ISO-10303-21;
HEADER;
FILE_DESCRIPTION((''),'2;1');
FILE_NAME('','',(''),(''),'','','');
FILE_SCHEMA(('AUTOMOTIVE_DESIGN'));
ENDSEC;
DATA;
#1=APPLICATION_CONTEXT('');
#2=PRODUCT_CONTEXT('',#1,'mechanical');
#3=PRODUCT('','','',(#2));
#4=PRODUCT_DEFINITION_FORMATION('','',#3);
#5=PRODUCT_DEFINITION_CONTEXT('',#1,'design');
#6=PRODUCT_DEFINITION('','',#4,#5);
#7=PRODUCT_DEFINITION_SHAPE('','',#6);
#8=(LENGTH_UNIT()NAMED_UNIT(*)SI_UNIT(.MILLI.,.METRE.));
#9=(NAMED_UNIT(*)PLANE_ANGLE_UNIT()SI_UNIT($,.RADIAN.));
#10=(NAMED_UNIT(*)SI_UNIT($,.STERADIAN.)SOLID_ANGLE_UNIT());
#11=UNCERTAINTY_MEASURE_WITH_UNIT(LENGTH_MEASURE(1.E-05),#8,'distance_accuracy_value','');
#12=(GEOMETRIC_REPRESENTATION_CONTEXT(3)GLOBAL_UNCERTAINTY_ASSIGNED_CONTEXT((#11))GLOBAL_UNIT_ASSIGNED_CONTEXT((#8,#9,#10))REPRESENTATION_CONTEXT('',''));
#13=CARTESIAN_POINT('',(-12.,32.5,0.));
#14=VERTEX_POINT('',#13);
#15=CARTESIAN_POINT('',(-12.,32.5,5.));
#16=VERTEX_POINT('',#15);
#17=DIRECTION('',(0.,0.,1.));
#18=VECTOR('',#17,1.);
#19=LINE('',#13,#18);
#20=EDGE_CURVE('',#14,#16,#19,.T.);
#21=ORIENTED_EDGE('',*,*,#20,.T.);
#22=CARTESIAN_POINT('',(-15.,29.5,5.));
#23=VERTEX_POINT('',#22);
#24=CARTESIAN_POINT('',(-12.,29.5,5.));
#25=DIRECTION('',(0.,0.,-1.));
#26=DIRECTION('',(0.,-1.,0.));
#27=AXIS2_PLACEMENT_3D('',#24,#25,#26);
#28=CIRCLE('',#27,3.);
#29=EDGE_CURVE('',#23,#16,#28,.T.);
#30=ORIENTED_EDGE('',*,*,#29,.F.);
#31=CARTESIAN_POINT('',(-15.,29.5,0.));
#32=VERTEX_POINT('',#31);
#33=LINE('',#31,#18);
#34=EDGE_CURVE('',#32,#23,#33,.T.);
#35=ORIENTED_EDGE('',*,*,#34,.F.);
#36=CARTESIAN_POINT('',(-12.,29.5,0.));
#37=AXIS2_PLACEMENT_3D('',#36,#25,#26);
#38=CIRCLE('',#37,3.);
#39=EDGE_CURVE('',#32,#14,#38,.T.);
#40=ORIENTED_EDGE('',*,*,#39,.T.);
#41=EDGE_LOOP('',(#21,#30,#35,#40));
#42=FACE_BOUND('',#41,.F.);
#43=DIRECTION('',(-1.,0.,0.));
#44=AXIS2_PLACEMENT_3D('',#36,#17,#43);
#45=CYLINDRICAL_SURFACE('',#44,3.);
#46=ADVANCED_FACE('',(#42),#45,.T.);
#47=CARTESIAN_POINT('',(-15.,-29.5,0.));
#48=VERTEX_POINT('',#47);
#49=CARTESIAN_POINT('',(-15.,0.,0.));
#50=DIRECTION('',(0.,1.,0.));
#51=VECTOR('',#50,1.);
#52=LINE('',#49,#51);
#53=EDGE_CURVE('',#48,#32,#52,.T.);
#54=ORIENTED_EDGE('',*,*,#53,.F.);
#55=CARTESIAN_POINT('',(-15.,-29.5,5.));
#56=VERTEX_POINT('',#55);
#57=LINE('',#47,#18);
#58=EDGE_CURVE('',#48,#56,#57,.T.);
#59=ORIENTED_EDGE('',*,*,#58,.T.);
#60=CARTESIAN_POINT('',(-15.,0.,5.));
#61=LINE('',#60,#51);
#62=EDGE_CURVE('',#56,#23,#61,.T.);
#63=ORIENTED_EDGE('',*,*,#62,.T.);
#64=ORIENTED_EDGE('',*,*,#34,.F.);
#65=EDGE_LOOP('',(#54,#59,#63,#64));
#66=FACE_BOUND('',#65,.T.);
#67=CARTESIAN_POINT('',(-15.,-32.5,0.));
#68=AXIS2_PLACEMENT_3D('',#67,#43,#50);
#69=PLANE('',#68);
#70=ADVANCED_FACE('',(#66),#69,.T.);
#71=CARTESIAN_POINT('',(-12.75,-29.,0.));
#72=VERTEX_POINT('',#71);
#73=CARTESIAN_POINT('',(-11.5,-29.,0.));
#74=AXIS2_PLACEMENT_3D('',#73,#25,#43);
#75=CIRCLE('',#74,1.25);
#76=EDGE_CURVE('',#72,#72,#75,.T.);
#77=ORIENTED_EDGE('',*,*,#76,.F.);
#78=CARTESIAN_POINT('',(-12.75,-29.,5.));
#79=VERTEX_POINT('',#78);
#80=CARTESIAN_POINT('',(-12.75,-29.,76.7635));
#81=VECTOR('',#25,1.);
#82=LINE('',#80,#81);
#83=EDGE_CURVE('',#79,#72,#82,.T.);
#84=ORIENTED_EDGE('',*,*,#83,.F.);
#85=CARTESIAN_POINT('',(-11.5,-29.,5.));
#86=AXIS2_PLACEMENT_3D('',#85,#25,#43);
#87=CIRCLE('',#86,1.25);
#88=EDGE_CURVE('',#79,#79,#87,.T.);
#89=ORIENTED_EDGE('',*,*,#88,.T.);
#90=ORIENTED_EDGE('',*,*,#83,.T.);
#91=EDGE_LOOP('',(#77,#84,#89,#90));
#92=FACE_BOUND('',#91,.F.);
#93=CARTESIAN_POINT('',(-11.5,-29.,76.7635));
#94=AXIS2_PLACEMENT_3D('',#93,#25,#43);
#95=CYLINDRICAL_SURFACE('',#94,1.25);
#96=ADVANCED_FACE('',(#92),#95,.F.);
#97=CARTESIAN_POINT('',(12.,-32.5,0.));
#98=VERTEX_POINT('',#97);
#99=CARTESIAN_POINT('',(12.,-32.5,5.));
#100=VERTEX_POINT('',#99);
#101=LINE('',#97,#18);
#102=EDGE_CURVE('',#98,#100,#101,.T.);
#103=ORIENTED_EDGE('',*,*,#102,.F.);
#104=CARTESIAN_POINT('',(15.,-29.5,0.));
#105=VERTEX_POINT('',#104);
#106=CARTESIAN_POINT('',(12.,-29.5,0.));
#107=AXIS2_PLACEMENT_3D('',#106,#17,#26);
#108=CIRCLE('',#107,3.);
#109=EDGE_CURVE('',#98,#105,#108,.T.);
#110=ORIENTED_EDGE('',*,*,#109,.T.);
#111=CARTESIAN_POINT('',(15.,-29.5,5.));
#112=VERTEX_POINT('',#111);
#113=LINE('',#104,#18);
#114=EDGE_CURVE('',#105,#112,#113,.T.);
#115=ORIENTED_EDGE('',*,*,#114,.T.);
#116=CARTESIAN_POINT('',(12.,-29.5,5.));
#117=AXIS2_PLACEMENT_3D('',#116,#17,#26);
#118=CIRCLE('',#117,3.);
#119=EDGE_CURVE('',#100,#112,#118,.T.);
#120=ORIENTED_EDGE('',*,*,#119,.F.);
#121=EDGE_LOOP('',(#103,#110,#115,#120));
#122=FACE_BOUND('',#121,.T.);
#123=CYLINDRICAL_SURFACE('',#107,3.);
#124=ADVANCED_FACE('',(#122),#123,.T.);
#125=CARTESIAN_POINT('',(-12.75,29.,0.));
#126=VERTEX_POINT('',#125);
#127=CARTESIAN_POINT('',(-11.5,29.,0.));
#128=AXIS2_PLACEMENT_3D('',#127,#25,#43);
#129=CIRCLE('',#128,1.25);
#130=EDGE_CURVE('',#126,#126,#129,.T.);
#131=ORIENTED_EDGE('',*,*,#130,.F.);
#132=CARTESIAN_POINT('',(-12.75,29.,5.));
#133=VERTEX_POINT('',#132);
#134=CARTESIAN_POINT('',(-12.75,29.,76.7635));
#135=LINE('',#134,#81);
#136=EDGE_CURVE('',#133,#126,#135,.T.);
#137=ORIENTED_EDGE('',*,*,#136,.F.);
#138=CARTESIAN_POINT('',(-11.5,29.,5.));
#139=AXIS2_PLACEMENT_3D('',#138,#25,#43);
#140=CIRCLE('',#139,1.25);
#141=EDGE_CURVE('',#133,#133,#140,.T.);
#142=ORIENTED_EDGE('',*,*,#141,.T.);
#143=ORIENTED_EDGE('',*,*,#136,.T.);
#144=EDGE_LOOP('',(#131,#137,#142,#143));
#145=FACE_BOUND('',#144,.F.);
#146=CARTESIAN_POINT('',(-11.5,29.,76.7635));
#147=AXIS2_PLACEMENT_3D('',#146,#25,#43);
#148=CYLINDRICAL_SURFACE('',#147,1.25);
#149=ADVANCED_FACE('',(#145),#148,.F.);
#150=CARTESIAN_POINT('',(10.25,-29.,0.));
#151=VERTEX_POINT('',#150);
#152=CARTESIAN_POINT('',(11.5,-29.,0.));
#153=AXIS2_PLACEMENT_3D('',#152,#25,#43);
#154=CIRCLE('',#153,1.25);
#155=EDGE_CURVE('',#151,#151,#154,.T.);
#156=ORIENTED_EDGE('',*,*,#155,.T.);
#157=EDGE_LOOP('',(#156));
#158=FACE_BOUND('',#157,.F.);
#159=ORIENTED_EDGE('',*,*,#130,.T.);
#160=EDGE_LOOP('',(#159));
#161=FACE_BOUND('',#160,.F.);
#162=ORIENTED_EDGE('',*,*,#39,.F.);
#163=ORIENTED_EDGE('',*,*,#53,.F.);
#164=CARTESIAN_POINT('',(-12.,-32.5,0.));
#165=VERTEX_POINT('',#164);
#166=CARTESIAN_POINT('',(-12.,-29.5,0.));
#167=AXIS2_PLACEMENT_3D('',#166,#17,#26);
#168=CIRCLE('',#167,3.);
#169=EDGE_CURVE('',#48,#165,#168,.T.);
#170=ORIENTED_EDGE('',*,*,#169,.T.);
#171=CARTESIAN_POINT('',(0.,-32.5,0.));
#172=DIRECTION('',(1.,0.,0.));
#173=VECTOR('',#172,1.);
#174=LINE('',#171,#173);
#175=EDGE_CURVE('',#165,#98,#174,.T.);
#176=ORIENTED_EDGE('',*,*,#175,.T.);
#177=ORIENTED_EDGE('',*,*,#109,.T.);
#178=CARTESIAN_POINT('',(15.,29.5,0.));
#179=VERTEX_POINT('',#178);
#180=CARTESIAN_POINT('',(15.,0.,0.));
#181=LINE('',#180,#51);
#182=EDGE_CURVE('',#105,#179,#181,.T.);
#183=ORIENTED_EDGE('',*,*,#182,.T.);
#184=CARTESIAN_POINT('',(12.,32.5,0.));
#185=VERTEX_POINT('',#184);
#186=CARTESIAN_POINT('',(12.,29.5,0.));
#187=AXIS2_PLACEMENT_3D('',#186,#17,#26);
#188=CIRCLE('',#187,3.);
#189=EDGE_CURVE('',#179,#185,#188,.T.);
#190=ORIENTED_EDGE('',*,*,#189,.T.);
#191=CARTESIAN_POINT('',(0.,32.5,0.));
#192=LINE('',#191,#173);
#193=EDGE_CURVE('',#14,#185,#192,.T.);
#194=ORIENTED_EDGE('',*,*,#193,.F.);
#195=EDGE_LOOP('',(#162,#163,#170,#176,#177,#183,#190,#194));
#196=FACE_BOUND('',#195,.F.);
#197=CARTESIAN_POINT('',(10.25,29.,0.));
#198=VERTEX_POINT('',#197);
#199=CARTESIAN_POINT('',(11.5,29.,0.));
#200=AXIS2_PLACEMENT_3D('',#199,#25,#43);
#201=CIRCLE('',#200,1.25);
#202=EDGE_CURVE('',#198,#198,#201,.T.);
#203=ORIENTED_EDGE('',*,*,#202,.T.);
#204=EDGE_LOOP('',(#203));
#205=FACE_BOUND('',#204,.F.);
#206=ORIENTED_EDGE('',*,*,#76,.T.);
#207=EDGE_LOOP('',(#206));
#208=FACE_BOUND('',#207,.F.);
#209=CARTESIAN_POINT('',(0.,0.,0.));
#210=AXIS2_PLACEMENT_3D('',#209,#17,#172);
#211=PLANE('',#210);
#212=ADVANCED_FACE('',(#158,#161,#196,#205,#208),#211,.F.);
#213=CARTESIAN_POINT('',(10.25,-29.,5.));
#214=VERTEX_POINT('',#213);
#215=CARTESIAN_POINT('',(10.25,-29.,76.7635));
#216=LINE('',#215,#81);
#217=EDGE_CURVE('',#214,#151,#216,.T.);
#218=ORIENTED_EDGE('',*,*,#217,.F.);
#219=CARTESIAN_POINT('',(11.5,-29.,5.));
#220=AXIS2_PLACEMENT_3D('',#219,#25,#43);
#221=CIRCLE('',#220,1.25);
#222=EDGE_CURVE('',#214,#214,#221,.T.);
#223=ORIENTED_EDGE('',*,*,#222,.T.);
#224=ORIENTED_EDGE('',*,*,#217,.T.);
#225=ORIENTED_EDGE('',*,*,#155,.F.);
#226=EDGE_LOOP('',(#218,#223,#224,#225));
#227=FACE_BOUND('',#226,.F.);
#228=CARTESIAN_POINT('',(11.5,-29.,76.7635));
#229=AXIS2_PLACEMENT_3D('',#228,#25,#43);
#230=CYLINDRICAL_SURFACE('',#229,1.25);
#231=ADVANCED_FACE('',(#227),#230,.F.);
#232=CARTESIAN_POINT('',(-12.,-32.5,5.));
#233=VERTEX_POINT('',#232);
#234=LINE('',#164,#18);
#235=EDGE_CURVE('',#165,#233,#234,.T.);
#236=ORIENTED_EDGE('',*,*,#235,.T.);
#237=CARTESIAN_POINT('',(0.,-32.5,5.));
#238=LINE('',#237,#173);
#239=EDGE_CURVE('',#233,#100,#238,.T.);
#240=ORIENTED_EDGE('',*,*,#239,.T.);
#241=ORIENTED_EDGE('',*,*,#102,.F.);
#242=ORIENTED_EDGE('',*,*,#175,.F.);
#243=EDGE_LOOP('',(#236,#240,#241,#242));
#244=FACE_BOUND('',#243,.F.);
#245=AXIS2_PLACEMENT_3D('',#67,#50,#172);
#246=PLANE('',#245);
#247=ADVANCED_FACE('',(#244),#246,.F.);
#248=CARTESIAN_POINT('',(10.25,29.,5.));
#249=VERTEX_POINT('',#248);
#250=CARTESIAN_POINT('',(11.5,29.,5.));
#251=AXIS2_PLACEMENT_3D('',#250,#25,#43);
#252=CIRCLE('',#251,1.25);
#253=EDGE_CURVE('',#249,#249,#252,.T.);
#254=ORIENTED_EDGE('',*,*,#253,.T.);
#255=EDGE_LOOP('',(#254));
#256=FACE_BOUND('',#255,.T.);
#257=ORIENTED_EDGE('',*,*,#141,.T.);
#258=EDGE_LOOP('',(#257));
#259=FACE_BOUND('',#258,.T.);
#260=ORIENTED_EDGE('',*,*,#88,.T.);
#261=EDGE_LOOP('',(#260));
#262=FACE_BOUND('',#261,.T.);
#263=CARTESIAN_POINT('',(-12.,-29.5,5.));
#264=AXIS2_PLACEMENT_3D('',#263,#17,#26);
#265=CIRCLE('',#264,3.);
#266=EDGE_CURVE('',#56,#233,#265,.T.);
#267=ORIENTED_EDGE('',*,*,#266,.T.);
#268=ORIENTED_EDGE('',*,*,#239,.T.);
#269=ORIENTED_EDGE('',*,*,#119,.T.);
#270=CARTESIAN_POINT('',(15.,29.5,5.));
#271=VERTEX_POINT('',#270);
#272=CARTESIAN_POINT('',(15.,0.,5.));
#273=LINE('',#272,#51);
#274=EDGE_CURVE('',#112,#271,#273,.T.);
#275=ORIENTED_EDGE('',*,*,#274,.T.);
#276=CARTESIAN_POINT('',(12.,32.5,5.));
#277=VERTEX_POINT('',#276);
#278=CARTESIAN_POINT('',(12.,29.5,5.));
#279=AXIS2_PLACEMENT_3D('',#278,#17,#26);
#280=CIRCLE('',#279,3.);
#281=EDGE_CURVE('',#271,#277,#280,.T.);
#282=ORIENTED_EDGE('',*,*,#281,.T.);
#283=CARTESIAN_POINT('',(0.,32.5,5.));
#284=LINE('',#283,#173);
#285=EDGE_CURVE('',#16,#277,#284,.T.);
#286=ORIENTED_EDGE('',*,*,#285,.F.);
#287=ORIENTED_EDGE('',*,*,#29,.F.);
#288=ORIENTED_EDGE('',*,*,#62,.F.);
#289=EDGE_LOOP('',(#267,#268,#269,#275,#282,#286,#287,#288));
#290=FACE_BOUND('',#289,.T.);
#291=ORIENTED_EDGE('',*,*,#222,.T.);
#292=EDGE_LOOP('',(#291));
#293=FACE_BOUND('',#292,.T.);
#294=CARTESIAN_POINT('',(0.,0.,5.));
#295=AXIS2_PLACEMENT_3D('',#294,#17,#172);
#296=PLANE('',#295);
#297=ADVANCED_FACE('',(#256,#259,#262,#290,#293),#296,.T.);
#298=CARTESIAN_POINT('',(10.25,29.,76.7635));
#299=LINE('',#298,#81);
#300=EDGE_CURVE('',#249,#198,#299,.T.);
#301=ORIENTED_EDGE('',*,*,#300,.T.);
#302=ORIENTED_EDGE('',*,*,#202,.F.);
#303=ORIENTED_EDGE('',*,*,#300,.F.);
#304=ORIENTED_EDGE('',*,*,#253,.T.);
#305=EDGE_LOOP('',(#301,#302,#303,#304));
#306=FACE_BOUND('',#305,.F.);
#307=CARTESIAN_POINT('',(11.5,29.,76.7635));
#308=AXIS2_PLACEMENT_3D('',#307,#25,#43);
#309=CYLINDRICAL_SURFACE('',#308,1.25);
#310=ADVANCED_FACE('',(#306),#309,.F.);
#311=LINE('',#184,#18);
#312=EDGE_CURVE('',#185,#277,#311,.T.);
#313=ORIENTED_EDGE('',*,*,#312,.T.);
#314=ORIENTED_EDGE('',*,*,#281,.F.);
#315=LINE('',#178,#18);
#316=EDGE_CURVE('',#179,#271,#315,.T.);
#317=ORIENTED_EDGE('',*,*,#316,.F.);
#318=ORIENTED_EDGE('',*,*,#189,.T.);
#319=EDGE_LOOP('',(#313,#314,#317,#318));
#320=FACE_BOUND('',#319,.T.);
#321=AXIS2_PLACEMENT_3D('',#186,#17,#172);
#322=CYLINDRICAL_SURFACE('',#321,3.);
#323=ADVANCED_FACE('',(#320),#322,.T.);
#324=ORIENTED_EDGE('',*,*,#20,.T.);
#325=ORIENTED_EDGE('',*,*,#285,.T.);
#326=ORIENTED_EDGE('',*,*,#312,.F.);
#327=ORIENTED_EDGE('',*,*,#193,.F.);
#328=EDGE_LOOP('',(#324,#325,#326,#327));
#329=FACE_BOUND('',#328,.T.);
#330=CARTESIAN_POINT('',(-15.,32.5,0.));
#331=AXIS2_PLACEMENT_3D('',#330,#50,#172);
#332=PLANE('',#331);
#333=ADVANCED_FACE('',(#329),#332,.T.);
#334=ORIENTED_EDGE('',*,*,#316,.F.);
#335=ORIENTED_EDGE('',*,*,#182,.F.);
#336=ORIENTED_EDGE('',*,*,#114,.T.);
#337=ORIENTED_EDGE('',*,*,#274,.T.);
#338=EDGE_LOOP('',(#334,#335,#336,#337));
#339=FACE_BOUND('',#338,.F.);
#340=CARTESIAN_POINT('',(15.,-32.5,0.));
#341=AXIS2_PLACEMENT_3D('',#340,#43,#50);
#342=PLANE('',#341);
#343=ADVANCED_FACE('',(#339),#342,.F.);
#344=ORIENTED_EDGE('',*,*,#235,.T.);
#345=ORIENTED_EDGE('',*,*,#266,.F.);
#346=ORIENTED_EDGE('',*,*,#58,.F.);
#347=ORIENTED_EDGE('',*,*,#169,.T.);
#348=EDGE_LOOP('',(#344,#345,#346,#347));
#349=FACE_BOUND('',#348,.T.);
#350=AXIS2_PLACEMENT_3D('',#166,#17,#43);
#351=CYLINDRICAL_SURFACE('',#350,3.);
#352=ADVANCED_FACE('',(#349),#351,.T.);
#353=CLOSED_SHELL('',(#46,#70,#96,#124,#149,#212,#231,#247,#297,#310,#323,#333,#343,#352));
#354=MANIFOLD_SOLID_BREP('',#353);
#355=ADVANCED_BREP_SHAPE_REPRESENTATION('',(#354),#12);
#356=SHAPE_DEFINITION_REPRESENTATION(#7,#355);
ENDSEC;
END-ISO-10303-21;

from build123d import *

# Parameters (mm, degrees)
F0_W     = 30
F0_H     = 65
F1_DEPTH = 5
F2_R     = 3
F4_D     = 2.5


with BuildPart() as f1:
    # F0 (on Top) → F1 (new body)
    with BuildSketch(Plane.XY):
        Rectangle(F0_W, F0_H)
    extrude(amount=F1_DEPTH)

    # F2
    f2_edges = [f1.edges().sort_by_distance(p)[0] for p in [
        (15, -32.5, 2.5),
        (15, 32.5, 2.5),
        (-15, -32.5, 2.5),
        (-15, 32.5, 2.5),
    ]]
    fillet(f2_edges, radius=F2_R)

    # F4 (through all)
    with Locations(Plane.XY.offset(5)):
        with Locations((-11.5, -29), (11.5, -29), (11.5, 29), (-11.5, 29)):
            Hole(F4_D / 2)


solid = f1.part
